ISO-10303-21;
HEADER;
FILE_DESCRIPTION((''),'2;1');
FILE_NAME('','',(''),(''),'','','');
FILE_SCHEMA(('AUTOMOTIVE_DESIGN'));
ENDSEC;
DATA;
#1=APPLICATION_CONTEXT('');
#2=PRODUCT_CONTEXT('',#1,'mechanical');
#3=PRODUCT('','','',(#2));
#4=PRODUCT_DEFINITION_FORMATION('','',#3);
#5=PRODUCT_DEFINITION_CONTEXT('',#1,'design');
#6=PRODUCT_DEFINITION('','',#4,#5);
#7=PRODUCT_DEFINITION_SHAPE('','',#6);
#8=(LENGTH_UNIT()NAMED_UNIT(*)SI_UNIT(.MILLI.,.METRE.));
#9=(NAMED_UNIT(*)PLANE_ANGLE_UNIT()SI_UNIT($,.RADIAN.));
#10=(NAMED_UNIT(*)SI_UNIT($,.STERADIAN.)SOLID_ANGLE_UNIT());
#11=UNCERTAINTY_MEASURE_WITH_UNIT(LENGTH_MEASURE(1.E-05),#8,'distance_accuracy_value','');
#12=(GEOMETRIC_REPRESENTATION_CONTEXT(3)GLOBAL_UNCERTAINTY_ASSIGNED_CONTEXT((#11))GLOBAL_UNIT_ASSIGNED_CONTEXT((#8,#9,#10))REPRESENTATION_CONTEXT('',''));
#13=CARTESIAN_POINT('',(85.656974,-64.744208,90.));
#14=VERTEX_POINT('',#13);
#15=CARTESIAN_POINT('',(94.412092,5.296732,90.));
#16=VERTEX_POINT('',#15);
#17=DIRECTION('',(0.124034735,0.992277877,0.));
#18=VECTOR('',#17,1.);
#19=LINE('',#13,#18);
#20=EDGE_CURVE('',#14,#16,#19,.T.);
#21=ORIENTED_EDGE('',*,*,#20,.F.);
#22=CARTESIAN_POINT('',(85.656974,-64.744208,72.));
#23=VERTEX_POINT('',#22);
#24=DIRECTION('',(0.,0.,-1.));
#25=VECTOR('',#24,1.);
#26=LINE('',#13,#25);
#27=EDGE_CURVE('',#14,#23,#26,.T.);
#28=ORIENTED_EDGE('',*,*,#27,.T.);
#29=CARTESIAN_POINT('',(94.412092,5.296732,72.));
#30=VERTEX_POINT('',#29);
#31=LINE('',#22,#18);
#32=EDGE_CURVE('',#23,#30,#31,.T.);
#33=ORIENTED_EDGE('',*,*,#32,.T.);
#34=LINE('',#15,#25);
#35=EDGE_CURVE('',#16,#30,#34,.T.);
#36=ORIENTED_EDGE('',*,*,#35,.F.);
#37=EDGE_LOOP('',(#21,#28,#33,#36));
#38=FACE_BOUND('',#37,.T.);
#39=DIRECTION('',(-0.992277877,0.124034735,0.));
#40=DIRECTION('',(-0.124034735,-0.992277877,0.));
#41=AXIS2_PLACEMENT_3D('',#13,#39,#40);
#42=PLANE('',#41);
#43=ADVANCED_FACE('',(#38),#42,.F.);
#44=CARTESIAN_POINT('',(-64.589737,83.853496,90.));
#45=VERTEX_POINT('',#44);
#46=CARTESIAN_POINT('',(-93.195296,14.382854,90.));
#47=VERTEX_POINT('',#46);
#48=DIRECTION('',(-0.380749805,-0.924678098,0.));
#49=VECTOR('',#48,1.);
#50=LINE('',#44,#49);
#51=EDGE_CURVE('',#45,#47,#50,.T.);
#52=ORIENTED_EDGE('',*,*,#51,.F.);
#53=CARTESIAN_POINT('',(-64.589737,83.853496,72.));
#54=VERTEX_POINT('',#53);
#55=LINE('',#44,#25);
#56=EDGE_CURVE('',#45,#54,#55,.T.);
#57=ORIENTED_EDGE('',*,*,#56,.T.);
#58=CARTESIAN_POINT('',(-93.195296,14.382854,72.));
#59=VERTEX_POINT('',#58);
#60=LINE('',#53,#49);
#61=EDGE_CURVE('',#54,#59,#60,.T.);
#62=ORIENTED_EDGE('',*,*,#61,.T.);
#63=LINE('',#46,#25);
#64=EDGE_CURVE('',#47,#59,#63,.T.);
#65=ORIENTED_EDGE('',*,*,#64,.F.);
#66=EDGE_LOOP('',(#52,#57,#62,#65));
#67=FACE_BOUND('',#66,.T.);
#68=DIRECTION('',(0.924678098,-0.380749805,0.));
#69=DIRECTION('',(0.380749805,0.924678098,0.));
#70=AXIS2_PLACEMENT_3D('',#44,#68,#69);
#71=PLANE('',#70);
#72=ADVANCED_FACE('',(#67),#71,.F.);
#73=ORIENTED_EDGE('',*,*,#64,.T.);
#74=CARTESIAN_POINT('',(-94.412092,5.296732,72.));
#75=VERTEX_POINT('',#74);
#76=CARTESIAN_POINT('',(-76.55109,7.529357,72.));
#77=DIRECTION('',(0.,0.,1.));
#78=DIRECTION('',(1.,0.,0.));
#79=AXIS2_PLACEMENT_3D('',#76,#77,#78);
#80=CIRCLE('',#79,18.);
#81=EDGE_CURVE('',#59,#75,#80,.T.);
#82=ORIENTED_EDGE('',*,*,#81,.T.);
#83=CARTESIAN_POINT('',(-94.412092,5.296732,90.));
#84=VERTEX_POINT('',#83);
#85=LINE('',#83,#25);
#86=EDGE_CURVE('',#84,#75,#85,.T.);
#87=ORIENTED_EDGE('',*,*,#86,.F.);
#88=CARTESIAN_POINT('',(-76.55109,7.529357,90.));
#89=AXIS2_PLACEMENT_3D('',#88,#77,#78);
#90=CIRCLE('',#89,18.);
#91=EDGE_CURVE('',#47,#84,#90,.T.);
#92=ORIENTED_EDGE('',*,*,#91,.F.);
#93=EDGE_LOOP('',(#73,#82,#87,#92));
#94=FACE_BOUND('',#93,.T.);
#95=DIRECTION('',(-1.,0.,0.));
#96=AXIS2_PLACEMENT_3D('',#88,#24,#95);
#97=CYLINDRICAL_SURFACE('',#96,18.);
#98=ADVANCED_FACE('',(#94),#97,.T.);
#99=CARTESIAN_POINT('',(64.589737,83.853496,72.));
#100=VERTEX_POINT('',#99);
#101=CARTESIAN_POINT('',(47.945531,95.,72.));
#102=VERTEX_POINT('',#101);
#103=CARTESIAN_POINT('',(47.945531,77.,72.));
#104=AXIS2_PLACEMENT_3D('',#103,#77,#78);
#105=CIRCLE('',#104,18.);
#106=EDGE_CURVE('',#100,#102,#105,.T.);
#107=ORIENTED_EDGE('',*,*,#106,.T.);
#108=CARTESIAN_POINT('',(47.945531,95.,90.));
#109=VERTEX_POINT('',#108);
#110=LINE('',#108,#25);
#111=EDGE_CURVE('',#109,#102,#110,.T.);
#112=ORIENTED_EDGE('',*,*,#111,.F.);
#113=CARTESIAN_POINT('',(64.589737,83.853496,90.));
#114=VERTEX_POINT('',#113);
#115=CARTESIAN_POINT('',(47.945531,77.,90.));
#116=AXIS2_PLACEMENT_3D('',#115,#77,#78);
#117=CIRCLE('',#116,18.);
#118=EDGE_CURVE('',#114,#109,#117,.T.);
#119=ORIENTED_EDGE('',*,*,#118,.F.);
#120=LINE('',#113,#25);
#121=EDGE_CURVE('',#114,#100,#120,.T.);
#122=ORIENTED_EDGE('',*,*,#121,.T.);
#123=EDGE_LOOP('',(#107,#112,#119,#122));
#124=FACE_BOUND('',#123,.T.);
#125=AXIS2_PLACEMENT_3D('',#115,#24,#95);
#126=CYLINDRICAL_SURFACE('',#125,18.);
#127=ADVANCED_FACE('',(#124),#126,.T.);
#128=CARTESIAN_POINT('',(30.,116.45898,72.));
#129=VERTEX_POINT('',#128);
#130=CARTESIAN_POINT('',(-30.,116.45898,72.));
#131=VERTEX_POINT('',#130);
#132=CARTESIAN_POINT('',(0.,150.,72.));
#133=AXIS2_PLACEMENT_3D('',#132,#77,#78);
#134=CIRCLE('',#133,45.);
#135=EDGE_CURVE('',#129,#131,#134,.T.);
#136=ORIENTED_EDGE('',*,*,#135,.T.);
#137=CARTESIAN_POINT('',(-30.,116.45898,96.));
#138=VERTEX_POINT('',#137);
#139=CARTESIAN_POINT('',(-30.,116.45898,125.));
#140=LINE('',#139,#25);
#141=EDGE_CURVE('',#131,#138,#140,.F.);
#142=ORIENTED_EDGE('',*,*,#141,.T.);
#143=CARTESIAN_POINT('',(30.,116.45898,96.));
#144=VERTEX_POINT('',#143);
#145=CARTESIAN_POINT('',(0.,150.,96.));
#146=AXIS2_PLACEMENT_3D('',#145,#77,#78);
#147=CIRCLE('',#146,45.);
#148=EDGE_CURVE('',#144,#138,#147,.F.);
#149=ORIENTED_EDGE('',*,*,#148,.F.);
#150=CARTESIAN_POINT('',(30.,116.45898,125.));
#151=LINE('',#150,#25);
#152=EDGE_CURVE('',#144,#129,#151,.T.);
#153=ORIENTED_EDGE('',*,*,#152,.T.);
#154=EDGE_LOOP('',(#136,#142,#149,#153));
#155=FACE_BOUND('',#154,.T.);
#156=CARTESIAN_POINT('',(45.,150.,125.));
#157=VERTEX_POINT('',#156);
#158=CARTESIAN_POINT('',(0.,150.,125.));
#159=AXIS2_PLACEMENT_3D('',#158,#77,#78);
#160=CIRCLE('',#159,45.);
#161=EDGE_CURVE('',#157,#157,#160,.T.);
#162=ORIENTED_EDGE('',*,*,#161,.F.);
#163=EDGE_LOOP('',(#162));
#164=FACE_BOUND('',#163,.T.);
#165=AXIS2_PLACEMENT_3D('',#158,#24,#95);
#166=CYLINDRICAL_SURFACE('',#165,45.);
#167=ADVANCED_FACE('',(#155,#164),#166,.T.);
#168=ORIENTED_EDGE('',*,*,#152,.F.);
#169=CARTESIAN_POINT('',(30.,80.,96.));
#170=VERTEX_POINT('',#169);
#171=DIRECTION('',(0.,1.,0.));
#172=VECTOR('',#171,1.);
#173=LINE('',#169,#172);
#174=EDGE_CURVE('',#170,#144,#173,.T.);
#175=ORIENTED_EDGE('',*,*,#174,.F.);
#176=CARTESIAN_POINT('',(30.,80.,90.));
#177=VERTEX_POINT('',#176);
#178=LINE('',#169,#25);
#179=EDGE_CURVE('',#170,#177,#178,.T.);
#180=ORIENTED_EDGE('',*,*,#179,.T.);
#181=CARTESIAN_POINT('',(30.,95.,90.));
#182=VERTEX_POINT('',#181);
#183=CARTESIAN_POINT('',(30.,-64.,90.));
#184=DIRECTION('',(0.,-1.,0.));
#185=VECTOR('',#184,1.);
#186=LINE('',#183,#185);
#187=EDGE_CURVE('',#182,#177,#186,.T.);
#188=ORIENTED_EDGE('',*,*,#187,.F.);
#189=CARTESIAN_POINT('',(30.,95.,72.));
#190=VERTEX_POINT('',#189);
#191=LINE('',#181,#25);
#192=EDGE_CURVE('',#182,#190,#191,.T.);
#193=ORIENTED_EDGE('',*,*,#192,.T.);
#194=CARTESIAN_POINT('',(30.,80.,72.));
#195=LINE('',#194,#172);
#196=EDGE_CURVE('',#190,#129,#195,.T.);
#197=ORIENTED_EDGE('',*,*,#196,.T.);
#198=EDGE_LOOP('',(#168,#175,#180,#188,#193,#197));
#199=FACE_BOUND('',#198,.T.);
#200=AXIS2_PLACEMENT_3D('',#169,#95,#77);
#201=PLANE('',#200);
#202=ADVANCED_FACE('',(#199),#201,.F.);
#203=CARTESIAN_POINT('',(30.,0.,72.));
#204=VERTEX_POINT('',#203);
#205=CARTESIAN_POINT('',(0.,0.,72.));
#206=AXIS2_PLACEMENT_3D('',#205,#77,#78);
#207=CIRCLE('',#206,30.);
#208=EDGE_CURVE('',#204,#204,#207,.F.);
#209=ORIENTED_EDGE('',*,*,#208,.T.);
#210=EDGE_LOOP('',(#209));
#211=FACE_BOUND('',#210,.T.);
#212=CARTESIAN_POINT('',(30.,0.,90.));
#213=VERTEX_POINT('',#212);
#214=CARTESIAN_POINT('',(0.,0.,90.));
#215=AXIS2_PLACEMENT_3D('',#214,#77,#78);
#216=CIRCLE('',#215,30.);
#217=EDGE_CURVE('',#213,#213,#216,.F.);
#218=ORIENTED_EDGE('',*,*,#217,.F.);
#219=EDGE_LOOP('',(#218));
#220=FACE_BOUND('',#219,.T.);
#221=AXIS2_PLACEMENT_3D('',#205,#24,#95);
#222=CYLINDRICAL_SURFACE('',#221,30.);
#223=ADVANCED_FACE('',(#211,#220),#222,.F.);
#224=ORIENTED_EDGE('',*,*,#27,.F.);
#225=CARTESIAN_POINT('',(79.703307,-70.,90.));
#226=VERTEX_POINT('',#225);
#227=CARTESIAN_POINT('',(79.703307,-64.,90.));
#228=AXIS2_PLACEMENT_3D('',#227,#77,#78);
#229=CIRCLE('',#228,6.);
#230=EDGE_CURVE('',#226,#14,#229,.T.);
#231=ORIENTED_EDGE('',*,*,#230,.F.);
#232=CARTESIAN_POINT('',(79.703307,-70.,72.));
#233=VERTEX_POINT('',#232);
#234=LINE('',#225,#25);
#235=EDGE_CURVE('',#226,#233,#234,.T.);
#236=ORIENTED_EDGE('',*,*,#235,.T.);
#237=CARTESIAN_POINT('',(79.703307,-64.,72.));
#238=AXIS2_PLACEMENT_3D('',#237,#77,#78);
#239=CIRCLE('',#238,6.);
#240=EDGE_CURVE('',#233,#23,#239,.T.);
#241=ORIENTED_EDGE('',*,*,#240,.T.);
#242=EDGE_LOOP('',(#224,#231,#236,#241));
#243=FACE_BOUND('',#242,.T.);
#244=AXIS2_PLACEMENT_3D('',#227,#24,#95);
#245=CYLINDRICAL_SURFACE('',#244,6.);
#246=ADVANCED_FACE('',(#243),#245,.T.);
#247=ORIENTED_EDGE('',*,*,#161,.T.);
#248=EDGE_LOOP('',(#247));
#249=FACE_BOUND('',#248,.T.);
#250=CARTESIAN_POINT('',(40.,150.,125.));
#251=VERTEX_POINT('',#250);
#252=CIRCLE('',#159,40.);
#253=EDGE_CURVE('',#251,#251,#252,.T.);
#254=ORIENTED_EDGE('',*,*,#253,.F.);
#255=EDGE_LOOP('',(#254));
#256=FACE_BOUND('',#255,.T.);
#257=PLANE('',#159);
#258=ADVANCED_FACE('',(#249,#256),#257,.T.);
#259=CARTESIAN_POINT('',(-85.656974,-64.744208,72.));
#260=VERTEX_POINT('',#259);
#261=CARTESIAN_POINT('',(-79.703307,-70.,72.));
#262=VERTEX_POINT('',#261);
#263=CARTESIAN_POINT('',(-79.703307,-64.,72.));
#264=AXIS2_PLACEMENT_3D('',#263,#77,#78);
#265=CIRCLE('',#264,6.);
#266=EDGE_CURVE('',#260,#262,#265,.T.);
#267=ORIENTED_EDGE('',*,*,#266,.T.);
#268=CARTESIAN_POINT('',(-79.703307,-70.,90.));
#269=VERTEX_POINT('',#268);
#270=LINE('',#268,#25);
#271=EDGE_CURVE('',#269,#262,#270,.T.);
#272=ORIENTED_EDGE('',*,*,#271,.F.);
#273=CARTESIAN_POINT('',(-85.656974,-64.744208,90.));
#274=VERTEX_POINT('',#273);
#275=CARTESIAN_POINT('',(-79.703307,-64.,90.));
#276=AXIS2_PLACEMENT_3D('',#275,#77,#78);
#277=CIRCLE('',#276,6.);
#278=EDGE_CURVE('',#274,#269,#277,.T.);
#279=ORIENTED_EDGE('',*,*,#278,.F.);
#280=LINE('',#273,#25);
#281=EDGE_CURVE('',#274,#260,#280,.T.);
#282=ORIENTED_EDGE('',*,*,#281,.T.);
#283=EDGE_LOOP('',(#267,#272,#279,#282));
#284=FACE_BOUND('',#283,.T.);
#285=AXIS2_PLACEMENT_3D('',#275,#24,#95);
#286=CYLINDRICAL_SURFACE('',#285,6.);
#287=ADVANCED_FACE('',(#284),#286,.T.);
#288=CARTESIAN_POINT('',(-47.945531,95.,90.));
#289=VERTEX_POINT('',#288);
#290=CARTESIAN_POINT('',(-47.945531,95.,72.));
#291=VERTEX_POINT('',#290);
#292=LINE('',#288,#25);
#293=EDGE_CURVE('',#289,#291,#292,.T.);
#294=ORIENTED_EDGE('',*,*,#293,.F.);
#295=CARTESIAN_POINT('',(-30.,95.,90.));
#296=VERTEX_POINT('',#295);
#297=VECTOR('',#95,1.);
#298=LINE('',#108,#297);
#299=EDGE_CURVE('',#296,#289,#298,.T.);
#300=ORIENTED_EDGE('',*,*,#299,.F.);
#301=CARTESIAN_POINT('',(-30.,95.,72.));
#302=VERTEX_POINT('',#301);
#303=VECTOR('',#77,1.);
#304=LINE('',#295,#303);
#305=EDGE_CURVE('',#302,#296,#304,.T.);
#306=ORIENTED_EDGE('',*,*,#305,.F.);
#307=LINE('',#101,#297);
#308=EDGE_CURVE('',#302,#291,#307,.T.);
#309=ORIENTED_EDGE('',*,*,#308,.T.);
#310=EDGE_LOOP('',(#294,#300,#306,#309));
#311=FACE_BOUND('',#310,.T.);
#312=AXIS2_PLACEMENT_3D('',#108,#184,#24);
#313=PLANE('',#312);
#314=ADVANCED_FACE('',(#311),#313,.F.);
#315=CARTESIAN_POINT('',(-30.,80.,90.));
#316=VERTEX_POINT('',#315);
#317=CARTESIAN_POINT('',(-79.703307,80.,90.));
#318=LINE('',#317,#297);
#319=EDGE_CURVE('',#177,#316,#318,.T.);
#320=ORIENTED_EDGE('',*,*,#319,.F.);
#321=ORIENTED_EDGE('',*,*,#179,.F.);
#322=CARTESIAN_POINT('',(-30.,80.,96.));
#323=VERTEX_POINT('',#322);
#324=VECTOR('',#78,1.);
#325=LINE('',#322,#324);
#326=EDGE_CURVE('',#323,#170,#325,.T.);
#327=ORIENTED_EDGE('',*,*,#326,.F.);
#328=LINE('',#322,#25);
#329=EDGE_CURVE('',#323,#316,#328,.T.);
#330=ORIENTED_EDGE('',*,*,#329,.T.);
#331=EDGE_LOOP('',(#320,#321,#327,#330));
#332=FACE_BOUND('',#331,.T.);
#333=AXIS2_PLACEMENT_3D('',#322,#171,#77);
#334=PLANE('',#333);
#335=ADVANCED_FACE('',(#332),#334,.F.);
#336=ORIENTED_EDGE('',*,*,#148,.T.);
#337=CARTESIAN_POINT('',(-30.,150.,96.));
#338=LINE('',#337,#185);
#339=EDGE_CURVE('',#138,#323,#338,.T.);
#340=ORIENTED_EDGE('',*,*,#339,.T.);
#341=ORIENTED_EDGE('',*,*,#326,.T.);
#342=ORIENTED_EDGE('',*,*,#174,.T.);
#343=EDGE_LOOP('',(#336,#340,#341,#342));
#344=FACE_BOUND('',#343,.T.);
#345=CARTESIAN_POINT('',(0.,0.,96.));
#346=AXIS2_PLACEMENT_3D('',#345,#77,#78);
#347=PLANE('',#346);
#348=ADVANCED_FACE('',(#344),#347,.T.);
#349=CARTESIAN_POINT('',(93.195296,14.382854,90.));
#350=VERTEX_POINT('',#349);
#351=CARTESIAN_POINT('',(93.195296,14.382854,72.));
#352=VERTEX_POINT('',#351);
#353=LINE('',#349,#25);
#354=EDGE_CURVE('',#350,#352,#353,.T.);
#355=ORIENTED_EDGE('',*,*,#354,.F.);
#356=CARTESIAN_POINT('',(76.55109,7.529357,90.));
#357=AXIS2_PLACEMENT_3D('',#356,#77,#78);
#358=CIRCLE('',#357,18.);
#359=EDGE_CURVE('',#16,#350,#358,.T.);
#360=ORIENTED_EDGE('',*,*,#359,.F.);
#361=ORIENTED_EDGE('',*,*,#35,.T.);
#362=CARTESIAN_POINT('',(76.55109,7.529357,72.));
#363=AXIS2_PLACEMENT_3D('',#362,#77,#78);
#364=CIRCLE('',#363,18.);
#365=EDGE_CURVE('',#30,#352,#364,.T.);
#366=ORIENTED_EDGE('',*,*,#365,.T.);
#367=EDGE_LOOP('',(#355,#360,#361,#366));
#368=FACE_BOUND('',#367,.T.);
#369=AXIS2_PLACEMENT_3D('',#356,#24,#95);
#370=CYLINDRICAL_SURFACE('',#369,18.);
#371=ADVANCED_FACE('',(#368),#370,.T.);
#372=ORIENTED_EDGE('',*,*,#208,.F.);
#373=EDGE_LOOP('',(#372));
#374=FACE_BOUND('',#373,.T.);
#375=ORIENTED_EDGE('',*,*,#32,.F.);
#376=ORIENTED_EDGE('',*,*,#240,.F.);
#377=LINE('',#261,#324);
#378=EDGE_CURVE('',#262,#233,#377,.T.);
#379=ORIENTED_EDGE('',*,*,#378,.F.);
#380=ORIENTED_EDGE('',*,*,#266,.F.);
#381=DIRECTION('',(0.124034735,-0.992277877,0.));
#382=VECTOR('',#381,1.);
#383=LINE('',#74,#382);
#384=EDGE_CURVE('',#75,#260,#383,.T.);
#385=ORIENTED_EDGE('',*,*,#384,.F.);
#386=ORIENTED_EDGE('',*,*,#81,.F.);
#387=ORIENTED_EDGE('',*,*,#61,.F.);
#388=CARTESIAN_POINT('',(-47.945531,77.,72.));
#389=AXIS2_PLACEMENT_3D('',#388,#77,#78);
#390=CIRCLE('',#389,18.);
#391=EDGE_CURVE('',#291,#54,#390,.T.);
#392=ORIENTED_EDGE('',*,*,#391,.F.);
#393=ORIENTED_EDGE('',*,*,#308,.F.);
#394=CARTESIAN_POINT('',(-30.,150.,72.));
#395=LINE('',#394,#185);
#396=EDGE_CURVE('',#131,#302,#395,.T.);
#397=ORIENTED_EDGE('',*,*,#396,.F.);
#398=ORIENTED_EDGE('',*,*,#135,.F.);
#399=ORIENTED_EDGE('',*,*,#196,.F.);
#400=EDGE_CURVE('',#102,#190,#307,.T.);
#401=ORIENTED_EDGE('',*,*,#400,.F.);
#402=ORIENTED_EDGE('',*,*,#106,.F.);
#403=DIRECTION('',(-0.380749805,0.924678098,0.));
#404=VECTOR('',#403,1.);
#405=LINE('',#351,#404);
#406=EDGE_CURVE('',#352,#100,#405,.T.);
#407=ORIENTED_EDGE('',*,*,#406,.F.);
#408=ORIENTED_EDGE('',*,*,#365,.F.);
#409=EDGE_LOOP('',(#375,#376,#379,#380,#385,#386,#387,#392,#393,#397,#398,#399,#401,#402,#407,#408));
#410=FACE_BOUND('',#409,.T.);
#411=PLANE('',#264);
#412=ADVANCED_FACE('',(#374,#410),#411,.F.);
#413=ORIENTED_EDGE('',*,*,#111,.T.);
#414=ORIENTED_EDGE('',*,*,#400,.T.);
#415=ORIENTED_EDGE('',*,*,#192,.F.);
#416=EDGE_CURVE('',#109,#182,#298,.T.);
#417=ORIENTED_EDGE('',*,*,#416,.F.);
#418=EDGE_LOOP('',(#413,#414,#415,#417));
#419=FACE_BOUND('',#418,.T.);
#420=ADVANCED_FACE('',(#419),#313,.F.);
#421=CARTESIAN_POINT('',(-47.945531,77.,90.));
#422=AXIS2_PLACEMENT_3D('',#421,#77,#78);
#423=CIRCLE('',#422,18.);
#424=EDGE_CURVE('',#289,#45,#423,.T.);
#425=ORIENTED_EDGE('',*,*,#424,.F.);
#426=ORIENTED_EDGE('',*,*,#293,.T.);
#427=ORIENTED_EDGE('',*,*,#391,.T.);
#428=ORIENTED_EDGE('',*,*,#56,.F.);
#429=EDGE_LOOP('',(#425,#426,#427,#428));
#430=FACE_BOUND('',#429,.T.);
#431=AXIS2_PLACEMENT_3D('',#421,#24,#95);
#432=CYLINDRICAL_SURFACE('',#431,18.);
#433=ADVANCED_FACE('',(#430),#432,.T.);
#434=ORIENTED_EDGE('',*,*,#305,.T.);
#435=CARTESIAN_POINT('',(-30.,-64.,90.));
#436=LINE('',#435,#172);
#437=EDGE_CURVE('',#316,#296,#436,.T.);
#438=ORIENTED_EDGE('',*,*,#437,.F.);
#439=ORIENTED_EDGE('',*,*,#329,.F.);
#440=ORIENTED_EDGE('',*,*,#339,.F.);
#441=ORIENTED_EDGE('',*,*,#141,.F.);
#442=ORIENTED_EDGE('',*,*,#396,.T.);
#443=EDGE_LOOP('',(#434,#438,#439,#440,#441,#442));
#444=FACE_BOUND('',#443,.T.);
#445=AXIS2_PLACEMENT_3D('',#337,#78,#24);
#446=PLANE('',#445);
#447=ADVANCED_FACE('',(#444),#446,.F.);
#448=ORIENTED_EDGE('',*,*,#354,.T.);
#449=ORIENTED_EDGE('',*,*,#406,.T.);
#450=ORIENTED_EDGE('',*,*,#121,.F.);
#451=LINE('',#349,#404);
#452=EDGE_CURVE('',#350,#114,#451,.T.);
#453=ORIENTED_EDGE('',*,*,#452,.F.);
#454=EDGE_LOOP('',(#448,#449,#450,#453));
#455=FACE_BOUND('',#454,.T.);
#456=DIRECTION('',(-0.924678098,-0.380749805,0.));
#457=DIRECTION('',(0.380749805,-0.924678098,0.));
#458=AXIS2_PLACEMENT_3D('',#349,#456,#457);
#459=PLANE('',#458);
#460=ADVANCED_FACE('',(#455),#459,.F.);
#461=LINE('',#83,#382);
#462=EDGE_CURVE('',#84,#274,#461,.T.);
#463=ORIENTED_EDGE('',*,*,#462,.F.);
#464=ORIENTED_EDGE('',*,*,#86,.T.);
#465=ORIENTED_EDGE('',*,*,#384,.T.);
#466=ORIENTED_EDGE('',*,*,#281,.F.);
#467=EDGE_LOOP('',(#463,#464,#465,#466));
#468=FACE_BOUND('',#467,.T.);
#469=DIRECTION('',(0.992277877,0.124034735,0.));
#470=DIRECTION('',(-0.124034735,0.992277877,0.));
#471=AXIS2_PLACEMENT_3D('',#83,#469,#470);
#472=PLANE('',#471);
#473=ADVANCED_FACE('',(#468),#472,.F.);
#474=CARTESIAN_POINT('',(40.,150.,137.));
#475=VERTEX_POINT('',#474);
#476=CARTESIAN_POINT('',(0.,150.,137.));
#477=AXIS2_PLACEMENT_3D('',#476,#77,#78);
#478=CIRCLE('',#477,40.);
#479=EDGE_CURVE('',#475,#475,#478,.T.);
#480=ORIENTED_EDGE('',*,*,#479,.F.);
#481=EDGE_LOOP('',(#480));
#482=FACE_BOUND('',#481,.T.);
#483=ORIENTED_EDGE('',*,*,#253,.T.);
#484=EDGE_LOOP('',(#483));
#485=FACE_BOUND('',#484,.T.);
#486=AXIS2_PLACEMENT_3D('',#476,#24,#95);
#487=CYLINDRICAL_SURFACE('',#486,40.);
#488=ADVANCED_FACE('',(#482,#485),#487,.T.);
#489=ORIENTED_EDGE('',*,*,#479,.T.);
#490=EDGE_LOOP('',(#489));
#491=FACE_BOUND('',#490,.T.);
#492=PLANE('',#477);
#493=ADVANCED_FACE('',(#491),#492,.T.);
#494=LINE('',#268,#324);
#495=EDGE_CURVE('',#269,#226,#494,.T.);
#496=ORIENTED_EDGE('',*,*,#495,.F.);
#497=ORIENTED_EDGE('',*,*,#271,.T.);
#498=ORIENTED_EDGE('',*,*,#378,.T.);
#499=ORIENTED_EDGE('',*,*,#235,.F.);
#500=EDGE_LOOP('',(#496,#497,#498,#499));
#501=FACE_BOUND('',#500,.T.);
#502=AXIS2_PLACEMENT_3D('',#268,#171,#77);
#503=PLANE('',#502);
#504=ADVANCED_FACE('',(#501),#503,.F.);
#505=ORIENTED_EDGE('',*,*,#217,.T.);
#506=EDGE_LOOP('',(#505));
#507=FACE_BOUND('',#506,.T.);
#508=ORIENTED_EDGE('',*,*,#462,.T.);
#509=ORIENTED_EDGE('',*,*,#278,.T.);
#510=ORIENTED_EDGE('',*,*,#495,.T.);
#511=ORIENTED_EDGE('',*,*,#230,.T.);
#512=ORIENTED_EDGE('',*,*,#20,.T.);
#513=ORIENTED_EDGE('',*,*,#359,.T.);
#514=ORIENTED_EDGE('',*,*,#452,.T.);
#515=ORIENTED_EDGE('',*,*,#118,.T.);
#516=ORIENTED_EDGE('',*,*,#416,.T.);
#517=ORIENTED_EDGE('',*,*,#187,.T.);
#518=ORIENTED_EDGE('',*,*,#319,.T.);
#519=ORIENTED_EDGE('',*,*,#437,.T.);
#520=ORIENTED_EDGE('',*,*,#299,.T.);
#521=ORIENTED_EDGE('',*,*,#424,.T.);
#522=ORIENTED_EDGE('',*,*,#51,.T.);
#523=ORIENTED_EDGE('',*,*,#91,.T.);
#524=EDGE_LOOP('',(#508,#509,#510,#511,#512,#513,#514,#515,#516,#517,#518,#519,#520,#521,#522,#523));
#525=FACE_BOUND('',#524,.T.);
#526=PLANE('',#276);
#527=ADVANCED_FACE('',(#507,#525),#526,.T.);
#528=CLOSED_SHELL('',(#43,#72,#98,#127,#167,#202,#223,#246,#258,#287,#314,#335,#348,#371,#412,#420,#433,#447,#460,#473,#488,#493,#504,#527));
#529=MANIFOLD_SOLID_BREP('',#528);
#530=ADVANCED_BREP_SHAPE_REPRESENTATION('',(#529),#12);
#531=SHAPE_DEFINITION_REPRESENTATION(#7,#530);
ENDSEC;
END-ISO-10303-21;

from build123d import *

# Parameters (mm, degrees)
COVER_START          = 72
COVER_DEPTH          = 18
PUMP_START           = 72
SKETCH2_W            = 60
SKETCH2_H            = 70
PUMP_WEB_DEPTH       = 24
WATER_START          = 72
SKETCH3_R            = 45
WATER_PUMP_DEPTH     = 53
PUMP_START_2         = 125
SKETCH4_R            = 40
PUMP_PULLEY_DEPTH    = 12
SEAL_BORE_DEPTH      = 257.38624879
SEAL_BORE_DEPTH_BACK = 257.38624879
SKETCH5_R            = 30


with BuildPart() as part:
    # Sketch1 → Cover (new body)
    with BuildSketch(Plane.XY.offset(COVER_START)):
        with BuildLine():
            Line((-79.703306689, -70), (79.703306689, -70))
            ThreePointArc((79.703306689, -70), (83.674122068, -68.498069055), (85.656973949, -64.744208408))
            Line((85.656973949, -64.744208408), (94.412091509, 5.296732068))
            ThreePointArc((94.412091509, 5.296732068), (94.391822309, 9.918554009), (93.1952955, 14.382853785))
            Line((93.1952955, 14.382853785), (64.589736738, 83.853496495))
            ThreePointArc((64.589736738, 83.853496495), (57.96144488, 91.955984369), (47.945530965, 95))
            Line((47.945530965, 95), (-47.945530965, 95))
            ThreePointArc((-47.945530965, 95), (-57.96144488, 91.955984369), (-64.589736738, 83.853496495))
            Line((-64.589736738, 83.853496495), (-93.1952955, 14.382853785))
            ThreePointArc((-93.1952955, 14.382853785), (-94.391822309, 9.918554009), (-94.412091509, 5.296732068))
            Line((-94.412091509, 5.296732068), (-85.656973949, -64.744208408))
            ThreePointArc((-85.656973949, -64.744208408), (-83.674122068, -68.498069055), (-79.703306689, -70))
        make_face()
    extrude(amount=COVER_DEPTH)

    # Sketch2 → Pump Web (add)
    with BuildSketch(Plane.XY.offset(PUMP_START)):
        with Locations((0, 115)):
            Rectangle(SKETCH2_W, SKETCH2_H)
    extrude(amount=PUMP_WEB_DEPTH)

    # Sketch3 → Water Pump (add)
    with BuildSketch(Plane.XY.offset(WATER_START)):
        with Locations(Location((0, 150, 0), (0, 0, 228.189685104))):
            Circle(SKETCH3_R)
    extrude(amount=WATER_PUMP_DEPTH)

    # Sketch4 → Pump Pulley (add)
    with BuildSketch(Plane.XY.offset(PUMP_START_2)):
        with Locations((0, 150)):
            Circle(SKETCH4_R)
    extrude(amount=PUMP_PULLEY_DEPTH)

    # Sketch5 → Seal Bore (cut, two sides: drawn at the far end of the back side and taken through both)
    with BuildSketch(Plane.XY.offset(-SEAL_BORE_DEPTH_BACK)):
        Circle(SKETCH5_R)
    extrude(amount=SEAL_BORE_DEPTH + SEAL_BORE_DEPTH_BACK, mode=Mode.SUBTRACT)


solid = part.part
